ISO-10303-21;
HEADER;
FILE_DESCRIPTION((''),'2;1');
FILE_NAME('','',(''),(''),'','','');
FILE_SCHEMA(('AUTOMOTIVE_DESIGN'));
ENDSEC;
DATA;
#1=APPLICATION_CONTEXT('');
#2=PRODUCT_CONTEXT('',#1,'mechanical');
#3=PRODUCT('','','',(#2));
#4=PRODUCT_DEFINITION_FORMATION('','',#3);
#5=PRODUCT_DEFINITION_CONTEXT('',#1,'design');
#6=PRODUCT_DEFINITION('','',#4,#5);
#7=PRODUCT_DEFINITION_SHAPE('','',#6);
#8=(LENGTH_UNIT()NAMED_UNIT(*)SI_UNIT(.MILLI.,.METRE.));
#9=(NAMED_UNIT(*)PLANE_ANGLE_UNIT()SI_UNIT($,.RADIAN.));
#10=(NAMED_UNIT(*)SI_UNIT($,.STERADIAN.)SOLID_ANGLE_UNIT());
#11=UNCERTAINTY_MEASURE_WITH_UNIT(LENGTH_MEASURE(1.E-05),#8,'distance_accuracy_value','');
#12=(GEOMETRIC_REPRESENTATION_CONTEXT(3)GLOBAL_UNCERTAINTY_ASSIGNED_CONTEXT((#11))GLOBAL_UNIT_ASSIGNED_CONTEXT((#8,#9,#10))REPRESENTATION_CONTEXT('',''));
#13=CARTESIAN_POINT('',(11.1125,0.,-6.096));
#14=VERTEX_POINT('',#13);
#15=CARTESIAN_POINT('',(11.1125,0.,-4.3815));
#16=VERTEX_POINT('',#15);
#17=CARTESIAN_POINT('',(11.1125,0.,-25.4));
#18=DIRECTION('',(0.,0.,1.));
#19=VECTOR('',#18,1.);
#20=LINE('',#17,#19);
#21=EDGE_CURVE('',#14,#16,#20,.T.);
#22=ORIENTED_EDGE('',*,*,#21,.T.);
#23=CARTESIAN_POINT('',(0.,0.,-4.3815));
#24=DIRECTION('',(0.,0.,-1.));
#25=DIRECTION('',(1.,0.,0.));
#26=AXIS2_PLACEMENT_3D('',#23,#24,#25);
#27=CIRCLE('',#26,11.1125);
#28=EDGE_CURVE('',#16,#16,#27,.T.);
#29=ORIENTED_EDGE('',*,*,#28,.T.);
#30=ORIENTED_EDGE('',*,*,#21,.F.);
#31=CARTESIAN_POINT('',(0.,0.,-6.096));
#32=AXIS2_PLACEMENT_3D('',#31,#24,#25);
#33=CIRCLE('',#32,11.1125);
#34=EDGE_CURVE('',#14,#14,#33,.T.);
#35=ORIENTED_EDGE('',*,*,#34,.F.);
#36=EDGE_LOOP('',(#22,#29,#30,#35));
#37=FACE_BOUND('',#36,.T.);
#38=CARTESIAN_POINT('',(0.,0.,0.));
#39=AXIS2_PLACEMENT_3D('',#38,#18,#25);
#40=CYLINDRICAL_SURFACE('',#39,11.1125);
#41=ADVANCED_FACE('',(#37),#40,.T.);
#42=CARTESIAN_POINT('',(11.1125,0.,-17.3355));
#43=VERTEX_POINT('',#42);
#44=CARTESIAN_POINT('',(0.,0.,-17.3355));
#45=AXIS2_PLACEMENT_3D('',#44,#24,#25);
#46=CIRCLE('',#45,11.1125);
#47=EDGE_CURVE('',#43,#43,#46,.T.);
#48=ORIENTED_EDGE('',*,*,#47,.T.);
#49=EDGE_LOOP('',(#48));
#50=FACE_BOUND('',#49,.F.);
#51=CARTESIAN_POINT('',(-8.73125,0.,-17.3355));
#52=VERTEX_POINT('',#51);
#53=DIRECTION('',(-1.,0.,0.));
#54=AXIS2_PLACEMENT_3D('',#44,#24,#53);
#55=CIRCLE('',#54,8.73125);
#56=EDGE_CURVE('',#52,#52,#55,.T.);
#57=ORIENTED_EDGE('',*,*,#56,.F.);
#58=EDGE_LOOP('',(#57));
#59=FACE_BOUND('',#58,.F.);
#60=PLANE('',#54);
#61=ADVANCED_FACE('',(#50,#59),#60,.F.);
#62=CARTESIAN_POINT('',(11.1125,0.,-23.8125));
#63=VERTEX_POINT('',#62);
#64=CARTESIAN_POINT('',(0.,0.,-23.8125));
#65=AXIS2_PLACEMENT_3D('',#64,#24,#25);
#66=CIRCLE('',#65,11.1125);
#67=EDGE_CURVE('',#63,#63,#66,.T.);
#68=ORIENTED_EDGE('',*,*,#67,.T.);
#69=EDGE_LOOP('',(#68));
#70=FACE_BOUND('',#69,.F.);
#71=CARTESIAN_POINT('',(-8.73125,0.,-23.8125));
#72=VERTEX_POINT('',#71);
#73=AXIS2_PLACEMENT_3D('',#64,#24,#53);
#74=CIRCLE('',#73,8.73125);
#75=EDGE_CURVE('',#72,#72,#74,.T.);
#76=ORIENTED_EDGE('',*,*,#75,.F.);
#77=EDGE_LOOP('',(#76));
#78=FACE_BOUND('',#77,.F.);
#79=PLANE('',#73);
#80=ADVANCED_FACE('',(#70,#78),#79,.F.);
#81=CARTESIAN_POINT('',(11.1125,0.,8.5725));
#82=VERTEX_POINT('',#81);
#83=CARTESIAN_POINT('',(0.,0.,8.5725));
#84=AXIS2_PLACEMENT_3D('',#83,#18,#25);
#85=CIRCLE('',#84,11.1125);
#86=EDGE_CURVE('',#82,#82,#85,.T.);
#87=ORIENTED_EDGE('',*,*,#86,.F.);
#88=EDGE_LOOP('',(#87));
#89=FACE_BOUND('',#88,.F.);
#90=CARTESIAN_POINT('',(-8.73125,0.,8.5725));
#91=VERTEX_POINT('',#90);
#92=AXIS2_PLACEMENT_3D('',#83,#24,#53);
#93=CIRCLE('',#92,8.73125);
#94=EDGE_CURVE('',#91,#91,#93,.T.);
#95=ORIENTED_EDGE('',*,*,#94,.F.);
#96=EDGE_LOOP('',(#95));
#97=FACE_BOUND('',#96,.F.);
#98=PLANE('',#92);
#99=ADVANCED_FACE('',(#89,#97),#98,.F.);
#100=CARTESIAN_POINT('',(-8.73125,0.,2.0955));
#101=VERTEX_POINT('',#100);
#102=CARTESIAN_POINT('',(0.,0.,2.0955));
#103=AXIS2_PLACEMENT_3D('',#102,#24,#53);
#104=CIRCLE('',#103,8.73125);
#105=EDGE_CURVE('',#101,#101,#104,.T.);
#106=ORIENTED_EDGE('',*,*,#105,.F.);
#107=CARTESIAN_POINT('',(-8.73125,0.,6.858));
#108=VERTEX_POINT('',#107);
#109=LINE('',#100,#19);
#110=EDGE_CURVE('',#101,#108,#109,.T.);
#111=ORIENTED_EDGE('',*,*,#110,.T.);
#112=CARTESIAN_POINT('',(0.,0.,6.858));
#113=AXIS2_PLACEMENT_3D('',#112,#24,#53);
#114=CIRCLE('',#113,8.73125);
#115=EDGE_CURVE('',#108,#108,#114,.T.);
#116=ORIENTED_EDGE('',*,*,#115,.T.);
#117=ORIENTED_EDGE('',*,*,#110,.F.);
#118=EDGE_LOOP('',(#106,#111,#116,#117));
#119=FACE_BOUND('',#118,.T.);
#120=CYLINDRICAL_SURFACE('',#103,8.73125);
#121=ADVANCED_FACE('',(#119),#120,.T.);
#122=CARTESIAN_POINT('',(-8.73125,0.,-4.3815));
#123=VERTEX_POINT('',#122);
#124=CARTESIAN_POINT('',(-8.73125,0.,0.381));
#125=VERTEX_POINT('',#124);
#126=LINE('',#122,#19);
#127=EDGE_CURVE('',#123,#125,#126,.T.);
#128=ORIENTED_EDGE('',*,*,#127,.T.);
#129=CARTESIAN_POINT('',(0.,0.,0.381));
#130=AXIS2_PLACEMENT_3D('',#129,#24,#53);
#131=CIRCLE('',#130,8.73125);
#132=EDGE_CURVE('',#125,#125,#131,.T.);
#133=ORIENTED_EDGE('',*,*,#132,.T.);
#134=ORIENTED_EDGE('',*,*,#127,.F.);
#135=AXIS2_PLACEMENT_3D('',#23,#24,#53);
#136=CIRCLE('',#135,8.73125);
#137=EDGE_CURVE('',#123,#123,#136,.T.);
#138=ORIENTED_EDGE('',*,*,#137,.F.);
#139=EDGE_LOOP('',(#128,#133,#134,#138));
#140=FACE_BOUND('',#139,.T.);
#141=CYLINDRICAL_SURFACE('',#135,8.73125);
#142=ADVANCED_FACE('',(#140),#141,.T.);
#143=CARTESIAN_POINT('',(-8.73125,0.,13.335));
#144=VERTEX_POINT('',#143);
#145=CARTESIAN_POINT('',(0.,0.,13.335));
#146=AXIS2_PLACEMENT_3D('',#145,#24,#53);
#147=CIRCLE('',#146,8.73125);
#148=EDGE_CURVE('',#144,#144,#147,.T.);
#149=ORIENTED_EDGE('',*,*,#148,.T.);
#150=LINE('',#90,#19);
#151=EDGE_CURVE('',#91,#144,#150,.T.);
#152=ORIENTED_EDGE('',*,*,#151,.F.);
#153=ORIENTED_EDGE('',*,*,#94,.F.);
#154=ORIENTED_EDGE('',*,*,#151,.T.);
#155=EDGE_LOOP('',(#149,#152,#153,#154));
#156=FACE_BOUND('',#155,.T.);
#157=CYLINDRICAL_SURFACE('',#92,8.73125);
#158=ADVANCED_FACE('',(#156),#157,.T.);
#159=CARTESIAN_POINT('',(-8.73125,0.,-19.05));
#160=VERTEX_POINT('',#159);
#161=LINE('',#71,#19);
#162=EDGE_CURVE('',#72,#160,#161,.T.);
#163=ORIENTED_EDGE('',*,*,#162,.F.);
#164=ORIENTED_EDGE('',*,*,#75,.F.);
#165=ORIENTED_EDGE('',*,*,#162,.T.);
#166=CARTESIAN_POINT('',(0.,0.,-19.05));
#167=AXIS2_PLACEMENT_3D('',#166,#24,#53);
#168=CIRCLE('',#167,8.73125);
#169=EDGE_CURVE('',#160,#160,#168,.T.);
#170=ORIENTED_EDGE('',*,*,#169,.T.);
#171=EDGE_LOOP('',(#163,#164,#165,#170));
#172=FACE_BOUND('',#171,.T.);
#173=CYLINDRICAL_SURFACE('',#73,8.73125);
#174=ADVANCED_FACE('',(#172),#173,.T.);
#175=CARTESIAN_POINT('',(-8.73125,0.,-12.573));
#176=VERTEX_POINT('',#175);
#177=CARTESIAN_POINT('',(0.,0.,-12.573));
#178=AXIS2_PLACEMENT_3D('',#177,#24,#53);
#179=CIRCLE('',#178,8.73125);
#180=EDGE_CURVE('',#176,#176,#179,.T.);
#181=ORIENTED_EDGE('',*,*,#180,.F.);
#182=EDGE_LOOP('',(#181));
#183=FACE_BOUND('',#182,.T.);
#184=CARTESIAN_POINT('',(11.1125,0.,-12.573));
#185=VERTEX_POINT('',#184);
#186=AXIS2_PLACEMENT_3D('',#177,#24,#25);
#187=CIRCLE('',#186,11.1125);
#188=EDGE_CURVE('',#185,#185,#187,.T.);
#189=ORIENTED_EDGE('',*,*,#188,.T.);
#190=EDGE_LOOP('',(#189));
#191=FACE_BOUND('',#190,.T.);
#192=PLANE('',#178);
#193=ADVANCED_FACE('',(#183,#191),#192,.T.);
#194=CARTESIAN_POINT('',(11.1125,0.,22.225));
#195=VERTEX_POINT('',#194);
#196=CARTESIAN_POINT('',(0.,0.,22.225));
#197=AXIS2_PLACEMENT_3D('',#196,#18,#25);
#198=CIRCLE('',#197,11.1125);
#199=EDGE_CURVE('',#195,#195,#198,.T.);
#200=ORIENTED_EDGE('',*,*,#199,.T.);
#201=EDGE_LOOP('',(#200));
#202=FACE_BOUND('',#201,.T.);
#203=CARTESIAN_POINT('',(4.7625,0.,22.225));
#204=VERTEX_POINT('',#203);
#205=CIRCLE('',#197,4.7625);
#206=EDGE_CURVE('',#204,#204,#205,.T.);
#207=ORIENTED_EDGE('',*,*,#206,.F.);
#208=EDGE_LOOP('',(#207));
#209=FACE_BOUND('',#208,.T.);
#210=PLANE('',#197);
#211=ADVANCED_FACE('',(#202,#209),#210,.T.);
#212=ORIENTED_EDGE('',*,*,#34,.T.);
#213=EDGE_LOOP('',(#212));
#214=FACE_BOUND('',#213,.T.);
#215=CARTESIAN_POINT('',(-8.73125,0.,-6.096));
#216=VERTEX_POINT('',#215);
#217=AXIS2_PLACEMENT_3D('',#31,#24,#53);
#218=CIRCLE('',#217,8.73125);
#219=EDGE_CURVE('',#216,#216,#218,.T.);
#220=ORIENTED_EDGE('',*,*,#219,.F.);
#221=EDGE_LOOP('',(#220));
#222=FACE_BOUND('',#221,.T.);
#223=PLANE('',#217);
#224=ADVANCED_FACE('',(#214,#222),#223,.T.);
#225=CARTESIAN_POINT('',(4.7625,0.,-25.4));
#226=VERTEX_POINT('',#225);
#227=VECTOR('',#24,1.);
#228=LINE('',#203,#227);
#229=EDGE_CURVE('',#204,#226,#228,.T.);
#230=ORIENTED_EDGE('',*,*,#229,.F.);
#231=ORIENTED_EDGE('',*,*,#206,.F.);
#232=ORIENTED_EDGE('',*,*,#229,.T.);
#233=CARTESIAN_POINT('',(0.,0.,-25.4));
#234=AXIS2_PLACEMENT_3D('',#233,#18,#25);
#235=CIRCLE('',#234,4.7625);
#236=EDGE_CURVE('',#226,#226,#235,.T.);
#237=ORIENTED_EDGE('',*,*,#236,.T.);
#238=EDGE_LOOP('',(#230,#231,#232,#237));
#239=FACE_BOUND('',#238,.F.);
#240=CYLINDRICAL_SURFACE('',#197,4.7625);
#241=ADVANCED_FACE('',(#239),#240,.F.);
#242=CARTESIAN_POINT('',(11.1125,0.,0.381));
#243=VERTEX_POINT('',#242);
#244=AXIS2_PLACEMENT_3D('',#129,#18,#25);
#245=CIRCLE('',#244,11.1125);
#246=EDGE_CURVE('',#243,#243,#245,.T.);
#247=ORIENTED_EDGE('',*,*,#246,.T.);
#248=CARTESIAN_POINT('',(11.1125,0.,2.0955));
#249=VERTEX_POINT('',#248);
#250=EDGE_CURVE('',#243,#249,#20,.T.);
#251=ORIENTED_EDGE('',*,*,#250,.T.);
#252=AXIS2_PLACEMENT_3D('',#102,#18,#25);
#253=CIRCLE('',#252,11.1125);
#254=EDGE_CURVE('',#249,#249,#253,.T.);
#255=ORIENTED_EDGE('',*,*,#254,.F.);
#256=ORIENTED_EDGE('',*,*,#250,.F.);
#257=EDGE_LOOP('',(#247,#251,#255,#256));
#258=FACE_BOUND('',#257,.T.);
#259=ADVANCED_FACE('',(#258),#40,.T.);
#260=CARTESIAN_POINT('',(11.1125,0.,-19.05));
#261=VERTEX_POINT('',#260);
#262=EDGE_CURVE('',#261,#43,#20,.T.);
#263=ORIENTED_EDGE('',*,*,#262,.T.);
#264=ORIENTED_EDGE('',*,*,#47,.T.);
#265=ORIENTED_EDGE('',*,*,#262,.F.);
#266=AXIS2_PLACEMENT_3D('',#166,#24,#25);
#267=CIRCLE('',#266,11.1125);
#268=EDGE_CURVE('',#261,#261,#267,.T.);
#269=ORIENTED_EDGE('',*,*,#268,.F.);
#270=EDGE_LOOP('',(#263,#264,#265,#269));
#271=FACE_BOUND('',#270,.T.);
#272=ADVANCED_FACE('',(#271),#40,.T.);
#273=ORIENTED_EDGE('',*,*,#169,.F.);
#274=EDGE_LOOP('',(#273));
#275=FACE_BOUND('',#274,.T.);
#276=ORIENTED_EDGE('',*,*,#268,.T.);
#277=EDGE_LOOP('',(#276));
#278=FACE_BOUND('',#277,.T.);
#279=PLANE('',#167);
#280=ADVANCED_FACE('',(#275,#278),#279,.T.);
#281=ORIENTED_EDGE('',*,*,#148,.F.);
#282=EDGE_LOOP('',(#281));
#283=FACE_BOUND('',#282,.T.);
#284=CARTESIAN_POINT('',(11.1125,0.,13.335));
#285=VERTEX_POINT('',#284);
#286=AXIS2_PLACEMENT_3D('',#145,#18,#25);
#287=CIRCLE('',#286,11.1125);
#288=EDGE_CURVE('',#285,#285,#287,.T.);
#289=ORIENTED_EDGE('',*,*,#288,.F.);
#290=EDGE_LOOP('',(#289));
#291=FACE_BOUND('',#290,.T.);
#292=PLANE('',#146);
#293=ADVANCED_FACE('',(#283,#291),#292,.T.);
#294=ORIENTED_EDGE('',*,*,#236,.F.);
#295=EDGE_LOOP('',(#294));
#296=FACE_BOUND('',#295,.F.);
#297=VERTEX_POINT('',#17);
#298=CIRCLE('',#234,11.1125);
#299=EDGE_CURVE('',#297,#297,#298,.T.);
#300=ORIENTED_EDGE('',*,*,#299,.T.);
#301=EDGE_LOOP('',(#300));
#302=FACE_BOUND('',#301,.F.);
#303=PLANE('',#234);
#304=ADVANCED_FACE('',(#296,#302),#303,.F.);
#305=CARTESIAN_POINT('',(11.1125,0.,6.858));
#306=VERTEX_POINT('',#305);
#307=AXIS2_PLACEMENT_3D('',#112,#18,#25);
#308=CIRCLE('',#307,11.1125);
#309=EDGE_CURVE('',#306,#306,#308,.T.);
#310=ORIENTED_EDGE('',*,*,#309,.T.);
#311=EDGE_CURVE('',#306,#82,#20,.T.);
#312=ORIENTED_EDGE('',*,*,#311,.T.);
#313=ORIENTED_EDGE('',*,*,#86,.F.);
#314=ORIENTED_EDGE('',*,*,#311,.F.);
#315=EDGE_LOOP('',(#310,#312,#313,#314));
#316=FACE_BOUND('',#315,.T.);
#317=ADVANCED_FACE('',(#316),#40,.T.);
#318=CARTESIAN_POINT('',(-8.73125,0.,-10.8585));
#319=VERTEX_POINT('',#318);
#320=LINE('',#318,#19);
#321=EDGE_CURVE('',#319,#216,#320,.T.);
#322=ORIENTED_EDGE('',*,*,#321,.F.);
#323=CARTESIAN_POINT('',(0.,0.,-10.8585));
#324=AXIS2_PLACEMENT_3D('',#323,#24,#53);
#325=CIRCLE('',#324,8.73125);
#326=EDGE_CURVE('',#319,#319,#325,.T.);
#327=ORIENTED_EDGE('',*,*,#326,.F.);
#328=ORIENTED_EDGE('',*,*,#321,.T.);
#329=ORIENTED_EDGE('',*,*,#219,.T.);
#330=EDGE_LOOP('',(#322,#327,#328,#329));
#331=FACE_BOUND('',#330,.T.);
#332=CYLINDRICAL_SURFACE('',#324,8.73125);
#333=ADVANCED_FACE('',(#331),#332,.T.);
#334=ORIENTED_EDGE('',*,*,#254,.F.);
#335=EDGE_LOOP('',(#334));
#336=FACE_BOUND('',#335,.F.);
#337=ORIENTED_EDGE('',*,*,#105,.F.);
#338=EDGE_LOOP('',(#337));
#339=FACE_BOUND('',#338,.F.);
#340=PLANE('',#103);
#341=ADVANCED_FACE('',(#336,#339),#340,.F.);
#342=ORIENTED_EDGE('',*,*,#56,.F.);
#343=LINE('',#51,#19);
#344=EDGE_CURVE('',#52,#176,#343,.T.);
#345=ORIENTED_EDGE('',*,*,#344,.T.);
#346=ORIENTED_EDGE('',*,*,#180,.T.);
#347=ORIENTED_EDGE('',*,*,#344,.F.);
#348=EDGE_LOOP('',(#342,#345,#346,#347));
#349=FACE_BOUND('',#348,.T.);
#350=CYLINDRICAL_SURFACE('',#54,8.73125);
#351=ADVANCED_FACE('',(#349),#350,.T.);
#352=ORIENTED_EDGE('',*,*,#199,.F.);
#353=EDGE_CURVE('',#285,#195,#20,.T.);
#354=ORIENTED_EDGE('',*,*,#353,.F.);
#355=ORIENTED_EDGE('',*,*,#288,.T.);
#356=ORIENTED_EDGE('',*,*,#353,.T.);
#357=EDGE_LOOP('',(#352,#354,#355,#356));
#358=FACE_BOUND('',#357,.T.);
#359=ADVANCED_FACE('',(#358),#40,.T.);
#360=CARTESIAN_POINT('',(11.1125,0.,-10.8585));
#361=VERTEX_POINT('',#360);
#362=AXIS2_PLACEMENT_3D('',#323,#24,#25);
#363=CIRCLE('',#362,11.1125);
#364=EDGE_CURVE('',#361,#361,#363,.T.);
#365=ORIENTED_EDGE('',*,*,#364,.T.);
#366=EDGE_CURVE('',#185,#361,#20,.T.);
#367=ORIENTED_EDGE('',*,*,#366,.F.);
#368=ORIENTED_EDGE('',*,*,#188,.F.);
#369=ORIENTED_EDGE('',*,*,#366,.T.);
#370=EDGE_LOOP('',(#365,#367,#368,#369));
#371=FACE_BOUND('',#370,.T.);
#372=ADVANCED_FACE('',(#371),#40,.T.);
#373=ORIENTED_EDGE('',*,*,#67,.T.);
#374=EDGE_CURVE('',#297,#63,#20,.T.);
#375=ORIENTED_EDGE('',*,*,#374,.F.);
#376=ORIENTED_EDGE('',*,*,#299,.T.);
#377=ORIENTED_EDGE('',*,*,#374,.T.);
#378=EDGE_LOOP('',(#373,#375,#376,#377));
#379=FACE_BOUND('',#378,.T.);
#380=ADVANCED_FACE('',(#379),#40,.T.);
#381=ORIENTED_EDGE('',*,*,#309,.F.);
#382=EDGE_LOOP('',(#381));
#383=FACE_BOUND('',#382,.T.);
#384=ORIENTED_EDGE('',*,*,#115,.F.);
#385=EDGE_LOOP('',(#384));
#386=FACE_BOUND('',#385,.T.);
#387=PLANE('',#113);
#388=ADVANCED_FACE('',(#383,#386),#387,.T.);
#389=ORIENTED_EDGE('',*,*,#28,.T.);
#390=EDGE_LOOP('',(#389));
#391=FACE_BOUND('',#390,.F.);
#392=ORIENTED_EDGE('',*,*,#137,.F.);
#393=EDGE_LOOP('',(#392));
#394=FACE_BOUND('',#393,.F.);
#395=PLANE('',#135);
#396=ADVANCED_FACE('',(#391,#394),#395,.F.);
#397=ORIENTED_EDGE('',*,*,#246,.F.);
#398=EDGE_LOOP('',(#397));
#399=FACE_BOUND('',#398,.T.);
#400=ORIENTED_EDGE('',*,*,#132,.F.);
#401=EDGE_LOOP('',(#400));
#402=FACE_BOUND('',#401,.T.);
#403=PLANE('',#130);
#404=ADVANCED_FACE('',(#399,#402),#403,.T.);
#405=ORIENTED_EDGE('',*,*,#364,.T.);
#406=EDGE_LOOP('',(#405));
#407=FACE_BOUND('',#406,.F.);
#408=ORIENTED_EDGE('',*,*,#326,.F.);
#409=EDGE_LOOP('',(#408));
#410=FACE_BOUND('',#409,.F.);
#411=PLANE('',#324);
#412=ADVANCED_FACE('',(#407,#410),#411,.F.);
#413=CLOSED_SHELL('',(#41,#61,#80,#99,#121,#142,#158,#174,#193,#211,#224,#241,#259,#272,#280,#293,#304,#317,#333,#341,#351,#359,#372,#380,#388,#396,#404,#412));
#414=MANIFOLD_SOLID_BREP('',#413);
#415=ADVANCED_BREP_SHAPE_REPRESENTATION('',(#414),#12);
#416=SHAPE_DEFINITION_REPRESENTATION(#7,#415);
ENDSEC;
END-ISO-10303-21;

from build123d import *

# Parameters (mm, degrees)
SKETCH1_R          = 11.1125
SKETCH1_R_2        = 3.2004
EXTRUDE1_DEPTH     = 25.4
SKETCH5_R          = 11.1125
SKETCH5_R_2        = 3.2004
CUT_EXTRUDE1_DEPTH = 3.175
SKETCH6_R          = 4.7625
CUT_EXTRUDE2_DEPTH = 48.625
CUT_EXTRUDE3_START = -1.5875
SKETCH7_R          = 11.1125
SKETCH7_R_2        = 8.73125
CUT_EXTRUDE3_DEPTH = 4.7625
LPATTERN1_COUNT    = 6
LPATTERN1_PITCH    = 6.477


with BuildPart() as part:
    # Sketch1 → Extrude1 (new body, symmetric)
    with BuildSketch(Plane.XY):
        Circle(SKETCH1_R)
        Circle(SKETCH1_R_2, mode=Mode.SUBTRACT)
    extrude(amount=EXTRUDE1_DEPTH, both=True)

    # Sketch5 → Cut-Extrude1 (cut)
    with BuildSketch(Plane.XY.offset(25.4)):
        Circle(SKETCH5_R)
        Circle(SKETCH5_R_2, mode=Mode.SUBTRACT)
    extrude(amount=-CUT_EXTRUDE1_DEPTH, mode=Mode.SUBTRACT)

    # Sketch6 → Cut-Extrude2 (cut, through all)
    with BuildSketch(Plane.XY.offset(22.225)):
        Circle(SKETCH6_R)
    extrude(amount=-CUT_EXTRUDE2_DEPTH, mode=Mode.SUBTRACT)

    # Sketch7 → Cut-Extrude3 (cut)
    with BuildSketch(Plane(origin=(0, 0, -25.4), x_dir=(-1, 0, 0), z_dir=(0, 0, -1)).offset(CUT_EXTRUDE3_START)):
        Circle(SKETCH7_R)
        Circle(SKETCH7_R_2, mode=Mode.SUBTRACT)
    cut_extrude3 = extrude(amount=-CUT_EXTRUDE3_DEPTH, mode=Mode.SUBTRACT)

    # LPattern1: Cut-Extrude3 ×6
    with Locations(*[(0, 0, i * LPATTERN1_PITCH) for i in range(1, LPATTERN1_COUNT)]):
        add(cut_extrude3, mode=Mode.SUBTRACT)


solid = part.part
